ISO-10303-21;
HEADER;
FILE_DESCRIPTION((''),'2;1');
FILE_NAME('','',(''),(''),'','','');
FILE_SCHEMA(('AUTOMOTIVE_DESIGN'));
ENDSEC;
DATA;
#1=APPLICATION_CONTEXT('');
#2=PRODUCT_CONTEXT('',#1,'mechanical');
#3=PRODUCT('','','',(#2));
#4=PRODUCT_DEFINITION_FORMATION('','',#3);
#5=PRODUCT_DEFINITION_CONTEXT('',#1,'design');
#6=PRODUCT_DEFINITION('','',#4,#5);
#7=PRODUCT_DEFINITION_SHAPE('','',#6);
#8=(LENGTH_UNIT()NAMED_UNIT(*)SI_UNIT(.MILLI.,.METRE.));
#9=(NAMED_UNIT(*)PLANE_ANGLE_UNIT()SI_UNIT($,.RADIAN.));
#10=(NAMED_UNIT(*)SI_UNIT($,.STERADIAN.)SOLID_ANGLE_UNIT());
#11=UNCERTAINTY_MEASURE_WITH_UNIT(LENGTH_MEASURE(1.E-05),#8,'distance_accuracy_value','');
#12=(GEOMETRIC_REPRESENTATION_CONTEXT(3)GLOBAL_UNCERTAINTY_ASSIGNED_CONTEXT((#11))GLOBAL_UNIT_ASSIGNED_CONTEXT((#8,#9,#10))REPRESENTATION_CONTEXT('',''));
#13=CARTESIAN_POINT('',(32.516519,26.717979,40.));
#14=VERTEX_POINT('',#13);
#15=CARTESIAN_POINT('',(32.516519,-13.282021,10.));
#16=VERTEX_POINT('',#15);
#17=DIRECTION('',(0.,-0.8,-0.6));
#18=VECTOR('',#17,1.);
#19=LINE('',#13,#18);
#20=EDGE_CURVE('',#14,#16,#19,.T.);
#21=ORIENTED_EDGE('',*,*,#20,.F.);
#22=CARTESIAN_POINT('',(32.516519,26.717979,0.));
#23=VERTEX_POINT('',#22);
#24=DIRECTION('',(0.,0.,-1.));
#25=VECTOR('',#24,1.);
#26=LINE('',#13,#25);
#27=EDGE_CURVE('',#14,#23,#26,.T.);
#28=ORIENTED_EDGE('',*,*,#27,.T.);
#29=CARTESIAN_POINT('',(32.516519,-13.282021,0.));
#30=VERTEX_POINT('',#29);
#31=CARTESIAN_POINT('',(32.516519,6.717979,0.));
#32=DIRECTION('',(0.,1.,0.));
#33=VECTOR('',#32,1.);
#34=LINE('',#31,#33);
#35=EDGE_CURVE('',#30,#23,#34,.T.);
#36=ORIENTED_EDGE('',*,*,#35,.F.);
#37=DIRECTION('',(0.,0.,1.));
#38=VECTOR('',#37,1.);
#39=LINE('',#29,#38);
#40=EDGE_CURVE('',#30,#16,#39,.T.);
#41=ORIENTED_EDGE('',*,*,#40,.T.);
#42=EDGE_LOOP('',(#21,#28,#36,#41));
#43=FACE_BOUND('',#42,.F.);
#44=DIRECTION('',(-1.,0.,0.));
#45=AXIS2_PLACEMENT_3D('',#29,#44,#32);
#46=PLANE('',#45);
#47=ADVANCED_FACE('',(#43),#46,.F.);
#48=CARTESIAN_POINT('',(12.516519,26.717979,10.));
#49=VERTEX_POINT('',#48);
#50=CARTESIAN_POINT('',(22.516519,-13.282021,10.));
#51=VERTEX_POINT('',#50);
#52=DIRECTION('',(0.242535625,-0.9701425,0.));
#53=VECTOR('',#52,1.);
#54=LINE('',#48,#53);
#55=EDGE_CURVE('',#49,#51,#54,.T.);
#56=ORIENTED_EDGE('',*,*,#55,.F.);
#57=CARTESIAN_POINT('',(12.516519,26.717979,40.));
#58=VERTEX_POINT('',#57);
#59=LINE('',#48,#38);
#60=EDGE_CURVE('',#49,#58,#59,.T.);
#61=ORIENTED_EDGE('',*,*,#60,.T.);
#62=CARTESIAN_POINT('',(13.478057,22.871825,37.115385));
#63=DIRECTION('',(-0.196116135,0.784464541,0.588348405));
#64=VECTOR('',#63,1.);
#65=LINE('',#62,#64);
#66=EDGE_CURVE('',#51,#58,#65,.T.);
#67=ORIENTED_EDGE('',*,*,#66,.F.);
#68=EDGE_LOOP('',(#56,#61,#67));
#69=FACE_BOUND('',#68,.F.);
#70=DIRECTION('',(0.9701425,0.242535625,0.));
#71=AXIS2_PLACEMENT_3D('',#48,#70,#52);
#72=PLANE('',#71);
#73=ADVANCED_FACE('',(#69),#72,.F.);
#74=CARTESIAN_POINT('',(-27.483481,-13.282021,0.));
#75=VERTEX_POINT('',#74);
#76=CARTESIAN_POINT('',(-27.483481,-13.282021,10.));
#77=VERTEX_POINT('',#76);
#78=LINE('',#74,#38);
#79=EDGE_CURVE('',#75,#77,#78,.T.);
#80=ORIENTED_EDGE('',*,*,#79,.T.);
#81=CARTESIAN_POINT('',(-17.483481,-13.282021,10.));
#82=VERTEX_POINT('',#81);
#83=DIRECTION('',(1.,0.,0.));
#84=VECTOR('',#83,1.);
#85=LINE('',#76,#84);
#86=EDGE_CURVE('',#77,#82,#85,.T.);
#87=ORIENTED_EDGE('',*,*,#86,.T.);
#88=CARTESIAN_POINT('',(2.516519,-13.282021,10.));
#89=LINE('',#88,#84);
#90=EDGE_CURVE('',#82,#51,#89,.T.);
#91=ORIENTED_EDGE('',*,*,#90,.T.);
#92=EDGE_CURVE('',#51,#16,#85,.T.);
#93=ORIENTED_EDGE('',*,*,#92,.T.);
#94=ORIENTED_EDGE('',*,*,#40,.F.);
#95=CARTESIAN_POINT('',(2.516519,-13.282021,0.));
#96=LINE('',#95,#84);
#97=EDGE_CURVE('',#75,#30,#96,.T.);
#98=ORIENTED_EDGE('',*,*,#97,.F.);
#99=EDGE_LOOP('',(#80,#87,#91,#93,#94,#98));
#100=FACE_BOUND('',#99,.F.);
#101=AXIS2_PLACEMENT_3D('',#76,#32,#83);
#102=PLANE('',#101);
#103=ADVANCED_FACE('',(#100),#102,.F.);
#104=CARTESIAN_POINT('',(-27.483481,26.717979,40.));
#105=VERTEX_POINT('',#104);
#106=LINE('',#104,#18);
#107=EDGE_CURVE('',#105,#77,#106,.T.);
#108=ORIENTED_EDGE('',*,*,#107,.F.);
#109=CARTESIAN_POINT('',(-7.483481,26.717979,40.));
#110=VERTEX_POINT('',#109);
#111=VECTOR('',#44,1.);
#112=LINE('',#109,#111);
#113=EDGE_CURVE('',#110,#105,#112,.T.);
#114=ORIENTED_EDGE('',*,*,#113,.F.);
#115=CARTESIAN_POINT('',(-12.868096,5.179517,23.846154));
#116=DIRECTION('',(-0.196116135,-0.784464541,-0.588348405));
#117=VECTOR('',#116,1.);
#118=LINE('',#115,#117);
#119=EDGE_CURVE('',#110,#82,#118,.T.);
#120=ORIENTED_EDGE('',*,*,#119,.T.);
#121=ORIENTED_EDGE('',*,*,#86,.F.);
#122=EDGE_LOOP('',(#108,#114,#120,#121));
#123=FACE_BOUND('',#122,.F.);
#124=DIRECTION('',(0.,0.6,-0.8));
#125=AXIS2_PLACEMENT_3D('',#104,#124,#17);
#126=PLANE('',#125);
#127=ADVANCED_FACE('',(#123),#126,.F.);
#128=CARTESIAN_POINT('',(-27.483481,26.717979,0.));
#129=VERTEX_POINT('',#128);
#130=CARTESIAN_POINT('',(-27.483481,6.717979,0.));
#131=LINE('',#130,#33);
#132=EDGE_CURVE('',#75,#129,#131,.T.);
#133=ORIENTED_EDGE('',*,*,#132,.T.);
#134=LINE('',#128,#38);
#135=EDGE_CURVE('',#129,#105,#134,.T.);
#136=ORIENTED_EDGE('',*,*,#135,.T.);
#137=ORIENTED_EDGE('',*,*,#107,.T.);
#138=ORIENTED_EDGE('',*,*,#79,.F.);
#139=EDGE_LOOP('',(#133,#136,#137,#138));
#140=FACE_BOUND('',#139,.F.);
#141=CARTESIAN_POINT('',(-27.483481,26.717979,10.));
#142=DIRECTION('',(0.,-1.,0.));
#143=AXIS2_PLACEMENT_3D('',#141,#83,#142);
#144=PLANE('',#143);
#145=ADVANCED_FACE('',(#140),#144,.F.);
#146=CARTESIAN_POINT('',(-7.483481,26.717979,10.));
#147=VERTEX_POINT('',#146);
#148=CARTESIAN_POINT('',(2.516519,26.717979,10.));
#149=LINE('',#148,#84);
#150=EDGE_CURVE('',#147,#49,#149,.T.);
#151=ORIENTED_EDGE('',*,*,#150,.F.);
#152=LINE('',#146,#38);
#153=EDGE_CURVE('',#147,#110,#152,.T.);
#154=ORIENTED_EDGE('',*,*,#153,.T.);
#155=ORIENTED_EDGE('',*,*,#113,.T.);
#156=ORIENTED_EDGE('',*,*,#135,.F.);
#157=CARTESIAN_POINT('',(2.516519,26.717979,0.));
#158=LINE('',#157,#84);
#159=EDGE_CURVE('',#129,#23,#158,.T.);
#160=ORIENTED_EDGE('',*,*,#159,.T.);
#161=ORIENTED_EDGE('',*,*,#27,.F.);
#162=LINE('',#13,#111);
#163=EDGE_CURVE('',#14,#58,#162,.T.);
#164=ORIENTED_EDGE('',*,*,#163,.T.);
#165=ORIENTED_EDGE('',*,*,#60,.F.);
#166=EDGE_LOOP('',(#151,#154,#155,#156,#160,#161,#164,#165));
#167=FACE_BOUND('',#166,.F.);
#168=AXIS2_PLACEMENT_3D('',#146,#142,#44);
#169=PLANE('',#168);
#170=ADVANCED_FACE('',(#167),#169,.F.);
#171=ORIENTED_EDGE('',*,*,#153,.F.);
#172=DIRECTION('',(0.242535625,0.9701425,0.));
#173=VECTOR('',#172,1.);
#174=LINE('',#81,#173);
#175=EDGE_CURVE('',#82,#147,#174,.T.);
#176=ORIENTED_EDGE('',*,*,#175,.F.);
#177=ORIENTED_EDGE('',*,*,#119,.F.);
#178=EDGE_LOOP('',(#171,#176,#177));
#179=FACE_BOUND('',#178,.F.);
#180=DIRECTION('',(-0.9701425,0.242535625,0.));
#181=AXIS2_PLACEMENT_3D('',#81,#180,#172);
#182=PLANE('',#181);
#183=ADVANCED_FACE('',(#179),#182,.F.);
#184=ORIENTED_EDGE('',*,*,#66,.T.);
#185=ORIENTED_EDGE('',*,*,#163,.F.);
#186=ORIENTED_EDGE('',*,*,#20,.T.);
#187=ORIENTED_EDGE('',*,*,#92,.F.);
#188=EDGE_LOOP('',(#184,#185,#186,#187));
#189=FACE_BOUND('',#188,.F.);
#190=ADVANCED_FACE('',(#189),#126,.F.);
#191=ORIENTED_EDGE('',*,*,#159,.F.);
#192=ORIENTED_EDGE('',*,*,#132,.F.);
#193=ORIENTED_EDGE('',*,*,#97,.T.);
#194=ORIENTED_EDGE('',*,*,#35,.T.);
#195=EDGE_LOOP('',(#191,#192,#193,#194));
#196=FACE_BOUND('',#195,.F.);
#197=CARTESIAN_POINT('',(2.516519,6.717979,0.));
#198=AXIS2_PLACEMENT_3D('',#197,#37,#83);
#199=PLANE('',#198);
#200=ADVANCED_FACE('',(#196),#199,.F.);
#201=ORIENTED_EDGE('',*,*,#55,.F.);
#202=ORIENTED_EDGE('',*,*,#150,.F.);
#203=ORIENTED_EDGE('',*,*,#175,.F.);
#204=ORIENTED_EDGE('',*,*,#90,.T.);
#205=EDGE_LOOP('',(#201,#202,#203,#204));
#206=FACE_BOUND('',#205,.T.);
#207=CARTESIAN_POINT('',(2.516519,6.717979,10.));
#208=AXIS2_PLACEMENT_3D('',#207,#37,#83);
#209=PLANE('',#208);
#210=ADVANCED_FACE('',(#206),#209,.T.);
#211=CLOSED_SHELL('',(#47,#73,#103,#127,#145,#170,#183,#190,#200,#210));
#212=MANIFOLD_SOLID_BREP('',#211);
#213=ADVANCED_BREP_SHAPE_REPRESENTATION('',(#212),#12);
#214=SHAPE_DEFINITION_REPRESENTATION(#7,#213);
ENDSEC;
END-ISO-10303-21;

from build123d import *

# Parameters (mm, degrees)
F0_W     = 60
F0_H     = 40
F1_DEPTH = 10
F3_DEPTH = 30
F5_DEPTH = 60


with BuildPart() as f1:
    # F0 (on Top) → F1 (new body)
    with BuildSketch(Plane.XY):
        with Locations((2.516519, 6.717979)):
            Rectangle(F0_W, F0_H)
    extrude(amount=F1_DEPTH)

    # F2 (on face) → F3 (join)
    with BuildSketch(Plane.XY.offset(10)):
        Polygon((-7.483481, 26.717979), (-27.483481, 26.717979), (-27.483481, -13.282021), (-17.483481, -13.282021), align=None)
        Polygon((32.516519, 26.717979), (12.516519, 26.717979), (22.516519, -13.282021), (32.516519, -13.282021), align=None)
    extrude(amount=F3_DEPTH)

    # F4 (on face) → F5 (cut)
    with BuildSketch(Plane(origin=(-27.483481, 0, 0), x_dir=(0, -1, 0), z_dir=(-1, 0, 0))):
        Polygon((-26.717979, 40), (13.282021, 10), (13.282021, 40), align=None)
    extrude(amount=-F5_DEPTH, mode=Mode.SUBTRACT)


solid = f1.part
